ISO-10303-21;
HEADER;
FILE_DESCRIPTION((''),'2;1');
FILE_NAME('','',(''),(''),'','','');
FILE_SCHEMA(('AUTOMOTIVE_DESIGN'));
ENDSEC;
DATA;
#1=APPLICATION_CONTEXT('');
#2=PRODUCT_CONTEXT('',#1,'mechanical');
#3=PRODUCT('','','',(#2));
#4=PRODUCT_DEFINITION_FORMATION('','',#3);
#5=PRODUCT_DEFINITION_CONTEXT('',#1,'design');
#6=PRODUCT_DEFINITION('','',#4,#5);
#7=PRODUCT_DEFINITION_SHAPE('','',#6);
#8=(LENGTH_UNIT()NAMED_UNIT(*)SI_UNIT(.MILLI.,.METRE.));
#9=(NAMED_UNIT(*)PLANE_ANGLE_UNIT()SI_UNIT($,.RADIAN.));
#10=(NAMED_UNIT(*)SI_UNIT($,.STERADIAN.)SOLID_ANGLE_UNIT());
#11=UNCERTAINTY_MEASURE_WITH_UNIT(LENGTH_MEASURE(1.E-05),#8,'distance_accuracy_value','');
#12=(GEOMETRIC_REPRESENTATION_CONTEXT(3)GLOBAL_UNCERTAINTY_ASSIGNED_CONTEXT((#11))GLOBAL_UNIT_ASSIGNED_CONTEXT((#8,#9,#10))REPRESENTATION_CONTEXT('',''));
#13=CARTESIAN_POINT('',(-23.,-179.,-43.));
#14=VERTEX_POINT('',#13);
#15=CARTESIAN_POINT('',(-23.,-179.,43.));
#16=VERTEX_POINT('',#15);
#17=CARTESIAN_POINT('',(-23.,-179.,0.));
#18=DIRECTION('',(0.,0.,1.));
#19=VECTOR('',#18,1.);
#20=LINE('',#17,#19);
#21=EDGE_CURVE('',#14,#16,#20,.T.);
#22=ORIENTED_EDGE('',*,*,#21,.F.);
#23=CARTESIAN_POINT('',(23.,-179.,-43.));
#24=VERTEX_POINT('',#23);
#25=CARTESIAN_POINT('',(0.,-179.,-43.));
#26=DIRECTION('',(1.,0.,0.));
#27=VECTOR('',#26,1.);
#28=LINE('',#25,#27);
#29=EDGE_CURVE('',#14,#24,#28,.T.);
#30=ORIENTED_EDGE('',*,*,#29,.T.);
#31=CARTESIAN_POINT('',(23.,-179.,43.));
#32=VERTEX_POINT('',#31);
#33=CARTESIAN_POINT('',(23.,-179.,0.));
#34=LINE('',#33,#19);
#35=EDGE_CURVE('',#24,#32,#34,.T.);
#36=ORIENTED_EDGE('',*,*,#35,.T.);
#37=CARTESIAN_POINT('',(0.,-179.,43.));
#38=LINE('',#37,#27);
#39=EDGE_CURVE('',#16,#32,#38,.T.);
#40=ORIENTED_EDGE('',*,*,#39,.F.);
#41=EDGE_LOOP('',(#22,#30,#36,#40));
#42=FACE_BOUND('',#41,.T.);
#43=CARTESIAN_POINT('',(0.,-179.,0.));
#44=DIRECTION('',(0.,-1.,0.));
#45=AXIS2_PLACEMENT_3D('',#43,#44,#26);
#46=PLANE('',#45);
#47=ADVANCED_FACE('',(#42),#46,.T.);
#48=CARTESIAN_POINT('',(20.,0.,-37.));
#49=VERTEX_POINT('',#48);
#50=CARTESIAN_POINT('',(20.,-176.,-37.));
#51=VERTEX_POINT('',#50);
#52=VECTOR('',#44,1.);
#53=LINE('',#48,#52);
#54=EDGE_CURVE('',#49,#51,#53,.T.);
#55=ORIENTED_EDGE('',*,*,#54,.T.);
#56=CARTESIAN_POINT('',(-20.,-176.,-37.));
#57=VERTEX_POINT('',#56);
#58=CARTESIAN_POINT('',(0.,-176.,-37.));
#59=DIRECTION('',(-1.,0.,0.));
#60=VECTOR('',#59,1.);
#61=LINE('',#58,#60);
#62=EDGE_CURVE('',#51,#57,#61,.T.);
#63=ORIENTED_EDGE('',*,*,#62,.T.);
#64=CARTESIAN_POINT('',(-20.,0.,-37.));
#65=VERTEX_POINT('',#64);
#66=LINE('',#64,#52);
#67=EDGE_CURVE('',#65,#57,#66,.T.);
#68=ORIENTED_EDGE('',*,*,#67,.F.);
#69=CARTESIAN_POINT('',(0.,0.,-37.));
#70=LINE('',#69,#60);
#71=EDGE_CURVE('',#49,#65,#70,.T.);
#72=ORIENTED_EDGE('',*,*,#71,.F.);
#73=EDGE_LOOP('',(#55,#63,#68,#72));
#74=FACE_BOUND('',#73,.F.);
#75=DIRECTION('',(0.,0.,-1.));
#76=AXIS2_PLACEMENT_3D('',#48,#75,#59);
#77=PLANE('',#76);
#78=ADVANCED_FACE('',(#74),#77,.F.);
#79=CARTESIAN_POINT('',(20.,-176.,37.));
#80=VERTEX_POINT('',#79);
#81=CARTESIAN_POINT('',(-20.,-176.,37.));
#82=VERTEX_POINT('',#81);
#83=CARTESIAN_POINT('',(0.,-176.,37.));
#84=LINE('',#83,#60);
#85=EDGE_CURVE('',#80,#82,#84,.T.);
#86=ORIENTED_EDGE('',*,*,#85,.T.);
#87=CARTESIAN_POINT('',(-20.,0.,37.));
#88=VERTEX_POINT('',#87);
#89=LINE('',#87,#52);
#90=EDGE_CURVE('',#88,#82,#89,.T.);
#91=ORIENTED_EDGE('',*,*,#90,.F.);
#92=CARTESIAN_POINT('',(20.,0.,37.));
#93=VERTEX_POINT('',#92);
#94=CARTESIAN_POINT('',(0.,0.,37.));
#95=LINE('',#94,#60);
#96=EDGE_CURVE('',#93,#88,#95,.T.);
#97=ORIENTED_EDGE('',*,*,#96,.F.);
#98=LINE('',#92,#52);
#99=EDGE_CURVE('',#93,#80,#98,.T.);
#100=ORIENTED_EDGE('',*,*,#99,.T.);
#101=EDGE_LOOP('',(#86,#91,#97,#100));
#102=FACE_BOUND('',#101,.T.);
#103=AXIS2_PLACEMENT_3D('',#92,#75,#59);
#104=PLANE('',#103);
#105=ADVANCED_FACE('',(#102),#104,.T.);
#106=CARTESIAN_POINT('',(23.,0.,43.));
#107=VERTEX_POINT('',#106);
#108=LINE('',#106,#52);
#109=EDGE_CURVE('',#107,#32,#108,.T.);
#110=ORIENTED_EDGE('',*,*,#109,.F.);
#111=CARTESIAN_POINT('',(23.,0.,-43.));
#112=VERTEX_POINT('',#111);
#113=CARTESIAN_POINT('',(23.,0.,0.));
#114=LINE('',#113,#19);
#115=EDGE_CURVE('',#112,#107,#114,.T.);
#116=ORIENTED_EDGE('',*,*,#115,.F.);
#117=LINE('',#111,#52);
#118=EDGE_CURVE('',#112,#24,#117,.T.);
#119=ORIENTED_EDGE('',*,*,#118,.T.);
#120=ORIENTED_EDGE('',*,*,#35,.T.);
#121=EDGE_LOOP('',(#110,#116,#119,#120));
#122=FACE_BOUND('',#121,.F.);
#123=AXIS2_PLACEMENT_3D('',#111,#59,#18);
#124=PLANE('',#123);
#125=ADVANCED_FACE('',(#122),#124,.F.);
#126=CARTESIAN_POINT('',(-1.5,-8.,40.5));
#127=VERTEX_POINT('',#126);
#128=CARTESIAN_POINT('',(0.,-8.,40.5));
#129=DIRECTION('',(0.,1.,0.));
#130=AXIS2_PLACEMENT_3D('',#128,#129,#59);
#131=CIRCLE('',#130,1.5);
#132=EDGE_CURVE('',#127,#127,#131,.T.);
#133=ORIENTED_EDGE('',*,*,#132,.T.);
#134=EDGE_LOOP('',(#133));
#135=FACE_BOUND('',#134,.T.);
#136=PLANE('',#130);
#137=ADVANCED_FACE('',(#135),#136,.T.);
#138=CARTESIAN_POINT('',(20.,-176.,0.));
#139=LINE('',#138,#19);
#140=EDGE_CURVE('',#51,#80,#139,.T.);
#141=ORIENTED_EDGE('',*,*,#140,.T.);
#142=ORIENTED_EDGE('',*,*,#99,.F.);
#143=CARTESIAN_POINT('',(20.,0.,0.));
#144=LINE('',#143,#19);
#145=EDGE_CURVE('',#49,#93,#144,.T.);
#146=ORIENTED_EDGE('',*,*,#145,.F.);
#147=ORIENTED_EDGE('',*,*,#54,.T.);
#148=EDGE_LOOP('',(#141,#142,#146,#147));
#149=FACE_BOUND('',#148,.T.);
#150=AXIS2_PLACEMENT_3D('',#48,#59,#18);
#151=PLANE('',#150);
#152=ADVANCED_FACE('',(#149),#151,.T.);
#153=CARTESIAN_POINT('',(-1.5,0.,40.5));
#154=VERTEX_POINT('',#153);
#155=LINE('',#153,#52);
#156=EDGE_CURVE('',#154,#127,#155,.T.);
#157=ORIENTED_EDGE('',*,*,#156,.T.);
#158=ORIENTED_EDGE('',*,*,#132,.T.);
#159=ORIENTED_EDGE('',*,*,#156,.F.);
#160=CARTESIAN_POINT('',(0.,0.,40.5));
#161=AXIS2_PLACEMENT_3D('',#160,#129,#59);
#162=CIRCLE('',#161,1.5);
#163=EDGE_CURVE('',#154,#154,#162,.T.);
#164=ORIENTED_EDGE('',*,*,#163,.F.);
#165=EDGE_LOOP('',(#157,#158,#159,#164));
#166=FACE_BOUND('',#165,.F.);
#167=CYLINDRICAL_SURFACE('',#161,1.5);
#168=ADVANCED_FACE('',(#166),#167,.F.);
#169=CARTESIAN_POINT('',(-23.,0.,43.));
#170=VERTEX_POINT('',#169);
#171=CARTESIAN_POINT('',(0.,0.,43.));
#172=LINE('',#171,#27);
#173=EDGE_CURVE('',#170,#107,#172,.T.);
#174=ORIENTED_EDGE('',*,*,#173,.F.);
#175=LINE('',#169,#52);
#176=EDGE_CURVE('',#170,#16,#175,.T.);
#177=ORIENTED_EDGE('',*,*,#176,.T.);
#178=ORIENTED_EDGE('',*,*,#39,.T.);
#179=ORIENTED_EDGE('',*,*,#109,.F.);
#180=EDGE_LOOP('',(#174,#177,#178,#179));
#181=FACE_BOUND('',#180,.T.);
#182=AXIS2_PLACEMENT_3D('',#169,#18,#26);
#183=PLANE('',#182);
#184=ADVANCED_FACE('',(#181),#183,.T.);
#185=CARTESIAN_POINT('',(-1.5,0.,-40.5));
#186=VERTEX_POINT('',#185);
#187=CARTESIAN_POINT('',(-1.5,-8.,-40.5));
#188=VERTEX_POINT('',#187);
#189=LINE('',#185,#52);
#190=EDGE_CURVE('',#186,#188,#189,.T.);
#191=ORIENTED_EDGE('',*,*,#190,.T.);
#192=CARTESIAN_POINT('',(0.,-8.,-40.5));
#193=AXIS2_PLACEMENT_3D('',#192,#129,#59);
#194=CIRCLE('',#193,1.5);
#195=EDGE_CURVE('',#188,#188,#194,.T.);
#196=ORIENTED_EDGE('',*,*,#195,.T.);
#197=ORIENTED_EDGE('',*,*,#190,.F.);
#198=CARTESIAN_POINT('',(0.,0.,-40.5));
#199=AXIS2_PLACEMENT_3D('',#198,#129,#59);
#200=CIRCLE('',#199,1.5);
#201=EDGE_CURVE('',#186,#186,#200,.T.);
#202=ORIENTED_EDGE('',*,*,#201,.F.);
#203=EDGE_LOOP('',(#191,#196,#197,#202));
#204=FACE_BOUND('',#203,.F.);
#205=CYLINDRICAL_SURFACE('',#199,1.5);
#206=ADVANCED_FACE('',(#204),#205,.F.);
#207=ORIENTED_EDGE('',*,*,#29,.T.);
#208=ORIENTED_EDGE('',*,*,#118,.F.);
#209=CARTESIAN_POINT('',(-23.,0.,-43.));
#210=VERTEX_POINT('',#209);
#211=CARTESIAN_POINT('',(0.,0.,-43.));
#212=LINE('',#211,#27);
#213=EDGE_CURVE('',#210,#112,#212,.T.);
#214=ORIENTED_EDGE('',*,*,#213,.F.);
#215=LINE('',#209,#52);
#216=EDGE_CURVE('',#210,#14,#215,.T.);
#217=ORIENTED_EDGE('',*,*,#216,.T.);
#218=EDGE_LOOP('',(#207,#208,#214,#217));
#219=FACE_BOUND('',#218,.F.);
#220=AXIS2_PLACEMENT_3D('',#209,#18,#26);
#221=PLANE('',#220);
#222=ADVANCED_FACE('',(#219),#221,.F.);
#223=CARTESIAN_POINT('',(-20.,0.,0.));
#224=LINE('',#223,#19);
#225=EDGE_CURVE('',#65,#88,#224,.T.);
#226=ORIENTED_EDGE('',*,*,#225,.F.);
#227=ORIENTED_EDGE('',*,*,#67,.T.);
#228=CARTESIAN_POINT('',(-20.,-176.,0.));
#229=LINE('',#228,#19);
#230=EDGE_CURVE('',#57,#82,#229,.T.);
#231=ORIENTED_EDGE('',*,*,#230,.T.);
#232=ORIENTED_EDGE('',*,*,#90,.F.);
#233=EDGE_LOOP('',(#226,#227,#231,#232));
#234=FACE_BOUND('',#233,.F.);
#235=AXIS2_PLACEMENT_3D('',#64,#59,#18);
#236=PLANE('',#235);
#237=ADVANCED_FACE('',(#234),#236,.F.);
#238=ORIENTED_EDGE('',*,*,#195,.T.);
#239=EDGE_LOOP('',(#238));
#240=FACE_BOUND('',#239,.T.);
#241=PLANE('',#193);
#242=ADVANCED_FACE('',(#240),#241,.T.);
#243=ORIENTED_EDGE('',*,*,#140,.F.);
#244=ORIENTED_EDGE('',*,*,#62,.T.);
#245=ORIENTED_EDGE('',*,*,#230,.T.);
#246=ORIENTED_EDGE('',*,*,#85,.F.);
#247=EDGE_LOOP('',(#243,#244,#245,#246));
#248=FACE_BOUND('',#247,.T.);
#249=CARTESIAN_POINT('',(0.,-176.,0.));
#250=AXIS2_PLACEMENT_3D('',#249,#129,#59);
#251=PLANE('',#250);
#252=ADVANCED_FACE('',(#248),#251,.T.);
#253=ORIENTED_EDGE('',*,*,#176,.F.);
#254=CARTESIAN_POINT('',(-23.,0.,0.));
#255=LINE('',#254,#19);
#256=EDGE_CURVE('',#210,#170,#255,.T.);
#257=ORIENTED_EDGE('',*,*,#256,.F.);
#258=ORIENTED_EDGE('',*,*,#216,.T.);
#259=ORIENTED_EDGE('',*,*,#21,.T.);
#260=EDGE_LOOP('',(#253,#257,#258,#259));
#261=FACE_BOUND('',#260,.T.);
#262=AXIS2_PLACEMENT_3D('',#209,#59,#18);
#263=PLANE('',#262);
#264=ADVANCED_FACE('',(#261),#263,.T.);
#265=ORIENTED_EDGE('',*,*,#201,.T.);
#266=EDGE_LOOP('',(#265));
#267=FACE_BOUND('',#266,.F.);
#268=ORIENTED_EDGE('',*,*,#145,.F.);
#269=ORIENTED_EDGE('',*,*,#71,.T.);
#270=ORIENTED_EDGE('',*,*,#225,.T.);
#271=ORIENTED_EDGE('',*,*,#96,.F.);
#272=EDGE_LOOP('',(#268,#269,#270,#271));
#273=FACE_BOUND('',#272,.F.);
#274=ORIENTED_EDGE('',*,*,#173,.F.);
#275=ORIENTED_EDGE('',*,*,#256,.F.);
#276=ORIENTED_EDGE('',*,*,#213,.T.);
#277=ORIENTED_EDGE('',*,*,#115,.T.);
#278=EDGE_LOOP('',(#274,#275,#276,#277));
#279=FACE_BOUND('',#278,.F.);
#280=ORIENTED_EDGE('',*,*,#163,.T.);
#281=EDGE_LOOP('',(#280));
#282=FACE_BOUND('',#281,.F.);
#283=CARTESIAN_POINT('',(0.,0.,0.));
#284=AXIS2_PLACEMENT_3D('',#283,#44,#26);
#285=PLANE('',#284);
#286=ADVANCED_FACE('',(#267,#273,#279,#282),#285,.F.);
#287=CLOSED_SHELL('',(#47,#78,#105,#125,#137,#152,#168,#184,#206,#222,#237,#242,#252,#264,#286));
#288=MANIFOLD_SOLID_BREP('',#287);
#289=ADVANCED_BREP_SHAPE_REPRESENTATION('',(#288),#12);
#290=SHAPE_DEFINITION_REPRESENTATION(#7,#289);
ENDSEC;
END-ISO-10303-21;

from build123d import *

# Parameters (mm, degrees)
F0_W     = 46
F0_H     = 86
F1_DEPTH = 179
F2_W     = 40
F2_H     = 74
F3_DEPTH = 176
F4_R     = 1.5
F5_DEPTH = 8


with BuildPart() as f1:
    # F0 (on Front) → F1 (new body)
    with BuildSketch(Plane.XZ):
        Rectangle(F0_W, F0_H)
    extrude(amount=F1_DEPTH)

    # F2 (on face) → F3 (cut)
    with BuildSketch(Plane(origin=(0, 0, 0), x_dir=(-1, 0, 0), z_dir=(0, 1, 0))):
        Rectangle(F2_W, F2_H)
    extrude(amount=-F3_DEPTH, mode=Mode.SUBTRACT)

    # F4 (on face) → F5 (cut)
    with BuildSketch(Plane(origin=(0, 0, 0), x_dir=(-1, 0, 0), z_dir=(0, 1, 0))):
        with Locations((0, 40.5)):
            Circle(F4_R)
        with Locations((0, -40.5)):
            Circle(F4_R)
    extrude(amount=-F5_DEPTH, mode=Mode.SUBTRACT)


solid = f1.part
